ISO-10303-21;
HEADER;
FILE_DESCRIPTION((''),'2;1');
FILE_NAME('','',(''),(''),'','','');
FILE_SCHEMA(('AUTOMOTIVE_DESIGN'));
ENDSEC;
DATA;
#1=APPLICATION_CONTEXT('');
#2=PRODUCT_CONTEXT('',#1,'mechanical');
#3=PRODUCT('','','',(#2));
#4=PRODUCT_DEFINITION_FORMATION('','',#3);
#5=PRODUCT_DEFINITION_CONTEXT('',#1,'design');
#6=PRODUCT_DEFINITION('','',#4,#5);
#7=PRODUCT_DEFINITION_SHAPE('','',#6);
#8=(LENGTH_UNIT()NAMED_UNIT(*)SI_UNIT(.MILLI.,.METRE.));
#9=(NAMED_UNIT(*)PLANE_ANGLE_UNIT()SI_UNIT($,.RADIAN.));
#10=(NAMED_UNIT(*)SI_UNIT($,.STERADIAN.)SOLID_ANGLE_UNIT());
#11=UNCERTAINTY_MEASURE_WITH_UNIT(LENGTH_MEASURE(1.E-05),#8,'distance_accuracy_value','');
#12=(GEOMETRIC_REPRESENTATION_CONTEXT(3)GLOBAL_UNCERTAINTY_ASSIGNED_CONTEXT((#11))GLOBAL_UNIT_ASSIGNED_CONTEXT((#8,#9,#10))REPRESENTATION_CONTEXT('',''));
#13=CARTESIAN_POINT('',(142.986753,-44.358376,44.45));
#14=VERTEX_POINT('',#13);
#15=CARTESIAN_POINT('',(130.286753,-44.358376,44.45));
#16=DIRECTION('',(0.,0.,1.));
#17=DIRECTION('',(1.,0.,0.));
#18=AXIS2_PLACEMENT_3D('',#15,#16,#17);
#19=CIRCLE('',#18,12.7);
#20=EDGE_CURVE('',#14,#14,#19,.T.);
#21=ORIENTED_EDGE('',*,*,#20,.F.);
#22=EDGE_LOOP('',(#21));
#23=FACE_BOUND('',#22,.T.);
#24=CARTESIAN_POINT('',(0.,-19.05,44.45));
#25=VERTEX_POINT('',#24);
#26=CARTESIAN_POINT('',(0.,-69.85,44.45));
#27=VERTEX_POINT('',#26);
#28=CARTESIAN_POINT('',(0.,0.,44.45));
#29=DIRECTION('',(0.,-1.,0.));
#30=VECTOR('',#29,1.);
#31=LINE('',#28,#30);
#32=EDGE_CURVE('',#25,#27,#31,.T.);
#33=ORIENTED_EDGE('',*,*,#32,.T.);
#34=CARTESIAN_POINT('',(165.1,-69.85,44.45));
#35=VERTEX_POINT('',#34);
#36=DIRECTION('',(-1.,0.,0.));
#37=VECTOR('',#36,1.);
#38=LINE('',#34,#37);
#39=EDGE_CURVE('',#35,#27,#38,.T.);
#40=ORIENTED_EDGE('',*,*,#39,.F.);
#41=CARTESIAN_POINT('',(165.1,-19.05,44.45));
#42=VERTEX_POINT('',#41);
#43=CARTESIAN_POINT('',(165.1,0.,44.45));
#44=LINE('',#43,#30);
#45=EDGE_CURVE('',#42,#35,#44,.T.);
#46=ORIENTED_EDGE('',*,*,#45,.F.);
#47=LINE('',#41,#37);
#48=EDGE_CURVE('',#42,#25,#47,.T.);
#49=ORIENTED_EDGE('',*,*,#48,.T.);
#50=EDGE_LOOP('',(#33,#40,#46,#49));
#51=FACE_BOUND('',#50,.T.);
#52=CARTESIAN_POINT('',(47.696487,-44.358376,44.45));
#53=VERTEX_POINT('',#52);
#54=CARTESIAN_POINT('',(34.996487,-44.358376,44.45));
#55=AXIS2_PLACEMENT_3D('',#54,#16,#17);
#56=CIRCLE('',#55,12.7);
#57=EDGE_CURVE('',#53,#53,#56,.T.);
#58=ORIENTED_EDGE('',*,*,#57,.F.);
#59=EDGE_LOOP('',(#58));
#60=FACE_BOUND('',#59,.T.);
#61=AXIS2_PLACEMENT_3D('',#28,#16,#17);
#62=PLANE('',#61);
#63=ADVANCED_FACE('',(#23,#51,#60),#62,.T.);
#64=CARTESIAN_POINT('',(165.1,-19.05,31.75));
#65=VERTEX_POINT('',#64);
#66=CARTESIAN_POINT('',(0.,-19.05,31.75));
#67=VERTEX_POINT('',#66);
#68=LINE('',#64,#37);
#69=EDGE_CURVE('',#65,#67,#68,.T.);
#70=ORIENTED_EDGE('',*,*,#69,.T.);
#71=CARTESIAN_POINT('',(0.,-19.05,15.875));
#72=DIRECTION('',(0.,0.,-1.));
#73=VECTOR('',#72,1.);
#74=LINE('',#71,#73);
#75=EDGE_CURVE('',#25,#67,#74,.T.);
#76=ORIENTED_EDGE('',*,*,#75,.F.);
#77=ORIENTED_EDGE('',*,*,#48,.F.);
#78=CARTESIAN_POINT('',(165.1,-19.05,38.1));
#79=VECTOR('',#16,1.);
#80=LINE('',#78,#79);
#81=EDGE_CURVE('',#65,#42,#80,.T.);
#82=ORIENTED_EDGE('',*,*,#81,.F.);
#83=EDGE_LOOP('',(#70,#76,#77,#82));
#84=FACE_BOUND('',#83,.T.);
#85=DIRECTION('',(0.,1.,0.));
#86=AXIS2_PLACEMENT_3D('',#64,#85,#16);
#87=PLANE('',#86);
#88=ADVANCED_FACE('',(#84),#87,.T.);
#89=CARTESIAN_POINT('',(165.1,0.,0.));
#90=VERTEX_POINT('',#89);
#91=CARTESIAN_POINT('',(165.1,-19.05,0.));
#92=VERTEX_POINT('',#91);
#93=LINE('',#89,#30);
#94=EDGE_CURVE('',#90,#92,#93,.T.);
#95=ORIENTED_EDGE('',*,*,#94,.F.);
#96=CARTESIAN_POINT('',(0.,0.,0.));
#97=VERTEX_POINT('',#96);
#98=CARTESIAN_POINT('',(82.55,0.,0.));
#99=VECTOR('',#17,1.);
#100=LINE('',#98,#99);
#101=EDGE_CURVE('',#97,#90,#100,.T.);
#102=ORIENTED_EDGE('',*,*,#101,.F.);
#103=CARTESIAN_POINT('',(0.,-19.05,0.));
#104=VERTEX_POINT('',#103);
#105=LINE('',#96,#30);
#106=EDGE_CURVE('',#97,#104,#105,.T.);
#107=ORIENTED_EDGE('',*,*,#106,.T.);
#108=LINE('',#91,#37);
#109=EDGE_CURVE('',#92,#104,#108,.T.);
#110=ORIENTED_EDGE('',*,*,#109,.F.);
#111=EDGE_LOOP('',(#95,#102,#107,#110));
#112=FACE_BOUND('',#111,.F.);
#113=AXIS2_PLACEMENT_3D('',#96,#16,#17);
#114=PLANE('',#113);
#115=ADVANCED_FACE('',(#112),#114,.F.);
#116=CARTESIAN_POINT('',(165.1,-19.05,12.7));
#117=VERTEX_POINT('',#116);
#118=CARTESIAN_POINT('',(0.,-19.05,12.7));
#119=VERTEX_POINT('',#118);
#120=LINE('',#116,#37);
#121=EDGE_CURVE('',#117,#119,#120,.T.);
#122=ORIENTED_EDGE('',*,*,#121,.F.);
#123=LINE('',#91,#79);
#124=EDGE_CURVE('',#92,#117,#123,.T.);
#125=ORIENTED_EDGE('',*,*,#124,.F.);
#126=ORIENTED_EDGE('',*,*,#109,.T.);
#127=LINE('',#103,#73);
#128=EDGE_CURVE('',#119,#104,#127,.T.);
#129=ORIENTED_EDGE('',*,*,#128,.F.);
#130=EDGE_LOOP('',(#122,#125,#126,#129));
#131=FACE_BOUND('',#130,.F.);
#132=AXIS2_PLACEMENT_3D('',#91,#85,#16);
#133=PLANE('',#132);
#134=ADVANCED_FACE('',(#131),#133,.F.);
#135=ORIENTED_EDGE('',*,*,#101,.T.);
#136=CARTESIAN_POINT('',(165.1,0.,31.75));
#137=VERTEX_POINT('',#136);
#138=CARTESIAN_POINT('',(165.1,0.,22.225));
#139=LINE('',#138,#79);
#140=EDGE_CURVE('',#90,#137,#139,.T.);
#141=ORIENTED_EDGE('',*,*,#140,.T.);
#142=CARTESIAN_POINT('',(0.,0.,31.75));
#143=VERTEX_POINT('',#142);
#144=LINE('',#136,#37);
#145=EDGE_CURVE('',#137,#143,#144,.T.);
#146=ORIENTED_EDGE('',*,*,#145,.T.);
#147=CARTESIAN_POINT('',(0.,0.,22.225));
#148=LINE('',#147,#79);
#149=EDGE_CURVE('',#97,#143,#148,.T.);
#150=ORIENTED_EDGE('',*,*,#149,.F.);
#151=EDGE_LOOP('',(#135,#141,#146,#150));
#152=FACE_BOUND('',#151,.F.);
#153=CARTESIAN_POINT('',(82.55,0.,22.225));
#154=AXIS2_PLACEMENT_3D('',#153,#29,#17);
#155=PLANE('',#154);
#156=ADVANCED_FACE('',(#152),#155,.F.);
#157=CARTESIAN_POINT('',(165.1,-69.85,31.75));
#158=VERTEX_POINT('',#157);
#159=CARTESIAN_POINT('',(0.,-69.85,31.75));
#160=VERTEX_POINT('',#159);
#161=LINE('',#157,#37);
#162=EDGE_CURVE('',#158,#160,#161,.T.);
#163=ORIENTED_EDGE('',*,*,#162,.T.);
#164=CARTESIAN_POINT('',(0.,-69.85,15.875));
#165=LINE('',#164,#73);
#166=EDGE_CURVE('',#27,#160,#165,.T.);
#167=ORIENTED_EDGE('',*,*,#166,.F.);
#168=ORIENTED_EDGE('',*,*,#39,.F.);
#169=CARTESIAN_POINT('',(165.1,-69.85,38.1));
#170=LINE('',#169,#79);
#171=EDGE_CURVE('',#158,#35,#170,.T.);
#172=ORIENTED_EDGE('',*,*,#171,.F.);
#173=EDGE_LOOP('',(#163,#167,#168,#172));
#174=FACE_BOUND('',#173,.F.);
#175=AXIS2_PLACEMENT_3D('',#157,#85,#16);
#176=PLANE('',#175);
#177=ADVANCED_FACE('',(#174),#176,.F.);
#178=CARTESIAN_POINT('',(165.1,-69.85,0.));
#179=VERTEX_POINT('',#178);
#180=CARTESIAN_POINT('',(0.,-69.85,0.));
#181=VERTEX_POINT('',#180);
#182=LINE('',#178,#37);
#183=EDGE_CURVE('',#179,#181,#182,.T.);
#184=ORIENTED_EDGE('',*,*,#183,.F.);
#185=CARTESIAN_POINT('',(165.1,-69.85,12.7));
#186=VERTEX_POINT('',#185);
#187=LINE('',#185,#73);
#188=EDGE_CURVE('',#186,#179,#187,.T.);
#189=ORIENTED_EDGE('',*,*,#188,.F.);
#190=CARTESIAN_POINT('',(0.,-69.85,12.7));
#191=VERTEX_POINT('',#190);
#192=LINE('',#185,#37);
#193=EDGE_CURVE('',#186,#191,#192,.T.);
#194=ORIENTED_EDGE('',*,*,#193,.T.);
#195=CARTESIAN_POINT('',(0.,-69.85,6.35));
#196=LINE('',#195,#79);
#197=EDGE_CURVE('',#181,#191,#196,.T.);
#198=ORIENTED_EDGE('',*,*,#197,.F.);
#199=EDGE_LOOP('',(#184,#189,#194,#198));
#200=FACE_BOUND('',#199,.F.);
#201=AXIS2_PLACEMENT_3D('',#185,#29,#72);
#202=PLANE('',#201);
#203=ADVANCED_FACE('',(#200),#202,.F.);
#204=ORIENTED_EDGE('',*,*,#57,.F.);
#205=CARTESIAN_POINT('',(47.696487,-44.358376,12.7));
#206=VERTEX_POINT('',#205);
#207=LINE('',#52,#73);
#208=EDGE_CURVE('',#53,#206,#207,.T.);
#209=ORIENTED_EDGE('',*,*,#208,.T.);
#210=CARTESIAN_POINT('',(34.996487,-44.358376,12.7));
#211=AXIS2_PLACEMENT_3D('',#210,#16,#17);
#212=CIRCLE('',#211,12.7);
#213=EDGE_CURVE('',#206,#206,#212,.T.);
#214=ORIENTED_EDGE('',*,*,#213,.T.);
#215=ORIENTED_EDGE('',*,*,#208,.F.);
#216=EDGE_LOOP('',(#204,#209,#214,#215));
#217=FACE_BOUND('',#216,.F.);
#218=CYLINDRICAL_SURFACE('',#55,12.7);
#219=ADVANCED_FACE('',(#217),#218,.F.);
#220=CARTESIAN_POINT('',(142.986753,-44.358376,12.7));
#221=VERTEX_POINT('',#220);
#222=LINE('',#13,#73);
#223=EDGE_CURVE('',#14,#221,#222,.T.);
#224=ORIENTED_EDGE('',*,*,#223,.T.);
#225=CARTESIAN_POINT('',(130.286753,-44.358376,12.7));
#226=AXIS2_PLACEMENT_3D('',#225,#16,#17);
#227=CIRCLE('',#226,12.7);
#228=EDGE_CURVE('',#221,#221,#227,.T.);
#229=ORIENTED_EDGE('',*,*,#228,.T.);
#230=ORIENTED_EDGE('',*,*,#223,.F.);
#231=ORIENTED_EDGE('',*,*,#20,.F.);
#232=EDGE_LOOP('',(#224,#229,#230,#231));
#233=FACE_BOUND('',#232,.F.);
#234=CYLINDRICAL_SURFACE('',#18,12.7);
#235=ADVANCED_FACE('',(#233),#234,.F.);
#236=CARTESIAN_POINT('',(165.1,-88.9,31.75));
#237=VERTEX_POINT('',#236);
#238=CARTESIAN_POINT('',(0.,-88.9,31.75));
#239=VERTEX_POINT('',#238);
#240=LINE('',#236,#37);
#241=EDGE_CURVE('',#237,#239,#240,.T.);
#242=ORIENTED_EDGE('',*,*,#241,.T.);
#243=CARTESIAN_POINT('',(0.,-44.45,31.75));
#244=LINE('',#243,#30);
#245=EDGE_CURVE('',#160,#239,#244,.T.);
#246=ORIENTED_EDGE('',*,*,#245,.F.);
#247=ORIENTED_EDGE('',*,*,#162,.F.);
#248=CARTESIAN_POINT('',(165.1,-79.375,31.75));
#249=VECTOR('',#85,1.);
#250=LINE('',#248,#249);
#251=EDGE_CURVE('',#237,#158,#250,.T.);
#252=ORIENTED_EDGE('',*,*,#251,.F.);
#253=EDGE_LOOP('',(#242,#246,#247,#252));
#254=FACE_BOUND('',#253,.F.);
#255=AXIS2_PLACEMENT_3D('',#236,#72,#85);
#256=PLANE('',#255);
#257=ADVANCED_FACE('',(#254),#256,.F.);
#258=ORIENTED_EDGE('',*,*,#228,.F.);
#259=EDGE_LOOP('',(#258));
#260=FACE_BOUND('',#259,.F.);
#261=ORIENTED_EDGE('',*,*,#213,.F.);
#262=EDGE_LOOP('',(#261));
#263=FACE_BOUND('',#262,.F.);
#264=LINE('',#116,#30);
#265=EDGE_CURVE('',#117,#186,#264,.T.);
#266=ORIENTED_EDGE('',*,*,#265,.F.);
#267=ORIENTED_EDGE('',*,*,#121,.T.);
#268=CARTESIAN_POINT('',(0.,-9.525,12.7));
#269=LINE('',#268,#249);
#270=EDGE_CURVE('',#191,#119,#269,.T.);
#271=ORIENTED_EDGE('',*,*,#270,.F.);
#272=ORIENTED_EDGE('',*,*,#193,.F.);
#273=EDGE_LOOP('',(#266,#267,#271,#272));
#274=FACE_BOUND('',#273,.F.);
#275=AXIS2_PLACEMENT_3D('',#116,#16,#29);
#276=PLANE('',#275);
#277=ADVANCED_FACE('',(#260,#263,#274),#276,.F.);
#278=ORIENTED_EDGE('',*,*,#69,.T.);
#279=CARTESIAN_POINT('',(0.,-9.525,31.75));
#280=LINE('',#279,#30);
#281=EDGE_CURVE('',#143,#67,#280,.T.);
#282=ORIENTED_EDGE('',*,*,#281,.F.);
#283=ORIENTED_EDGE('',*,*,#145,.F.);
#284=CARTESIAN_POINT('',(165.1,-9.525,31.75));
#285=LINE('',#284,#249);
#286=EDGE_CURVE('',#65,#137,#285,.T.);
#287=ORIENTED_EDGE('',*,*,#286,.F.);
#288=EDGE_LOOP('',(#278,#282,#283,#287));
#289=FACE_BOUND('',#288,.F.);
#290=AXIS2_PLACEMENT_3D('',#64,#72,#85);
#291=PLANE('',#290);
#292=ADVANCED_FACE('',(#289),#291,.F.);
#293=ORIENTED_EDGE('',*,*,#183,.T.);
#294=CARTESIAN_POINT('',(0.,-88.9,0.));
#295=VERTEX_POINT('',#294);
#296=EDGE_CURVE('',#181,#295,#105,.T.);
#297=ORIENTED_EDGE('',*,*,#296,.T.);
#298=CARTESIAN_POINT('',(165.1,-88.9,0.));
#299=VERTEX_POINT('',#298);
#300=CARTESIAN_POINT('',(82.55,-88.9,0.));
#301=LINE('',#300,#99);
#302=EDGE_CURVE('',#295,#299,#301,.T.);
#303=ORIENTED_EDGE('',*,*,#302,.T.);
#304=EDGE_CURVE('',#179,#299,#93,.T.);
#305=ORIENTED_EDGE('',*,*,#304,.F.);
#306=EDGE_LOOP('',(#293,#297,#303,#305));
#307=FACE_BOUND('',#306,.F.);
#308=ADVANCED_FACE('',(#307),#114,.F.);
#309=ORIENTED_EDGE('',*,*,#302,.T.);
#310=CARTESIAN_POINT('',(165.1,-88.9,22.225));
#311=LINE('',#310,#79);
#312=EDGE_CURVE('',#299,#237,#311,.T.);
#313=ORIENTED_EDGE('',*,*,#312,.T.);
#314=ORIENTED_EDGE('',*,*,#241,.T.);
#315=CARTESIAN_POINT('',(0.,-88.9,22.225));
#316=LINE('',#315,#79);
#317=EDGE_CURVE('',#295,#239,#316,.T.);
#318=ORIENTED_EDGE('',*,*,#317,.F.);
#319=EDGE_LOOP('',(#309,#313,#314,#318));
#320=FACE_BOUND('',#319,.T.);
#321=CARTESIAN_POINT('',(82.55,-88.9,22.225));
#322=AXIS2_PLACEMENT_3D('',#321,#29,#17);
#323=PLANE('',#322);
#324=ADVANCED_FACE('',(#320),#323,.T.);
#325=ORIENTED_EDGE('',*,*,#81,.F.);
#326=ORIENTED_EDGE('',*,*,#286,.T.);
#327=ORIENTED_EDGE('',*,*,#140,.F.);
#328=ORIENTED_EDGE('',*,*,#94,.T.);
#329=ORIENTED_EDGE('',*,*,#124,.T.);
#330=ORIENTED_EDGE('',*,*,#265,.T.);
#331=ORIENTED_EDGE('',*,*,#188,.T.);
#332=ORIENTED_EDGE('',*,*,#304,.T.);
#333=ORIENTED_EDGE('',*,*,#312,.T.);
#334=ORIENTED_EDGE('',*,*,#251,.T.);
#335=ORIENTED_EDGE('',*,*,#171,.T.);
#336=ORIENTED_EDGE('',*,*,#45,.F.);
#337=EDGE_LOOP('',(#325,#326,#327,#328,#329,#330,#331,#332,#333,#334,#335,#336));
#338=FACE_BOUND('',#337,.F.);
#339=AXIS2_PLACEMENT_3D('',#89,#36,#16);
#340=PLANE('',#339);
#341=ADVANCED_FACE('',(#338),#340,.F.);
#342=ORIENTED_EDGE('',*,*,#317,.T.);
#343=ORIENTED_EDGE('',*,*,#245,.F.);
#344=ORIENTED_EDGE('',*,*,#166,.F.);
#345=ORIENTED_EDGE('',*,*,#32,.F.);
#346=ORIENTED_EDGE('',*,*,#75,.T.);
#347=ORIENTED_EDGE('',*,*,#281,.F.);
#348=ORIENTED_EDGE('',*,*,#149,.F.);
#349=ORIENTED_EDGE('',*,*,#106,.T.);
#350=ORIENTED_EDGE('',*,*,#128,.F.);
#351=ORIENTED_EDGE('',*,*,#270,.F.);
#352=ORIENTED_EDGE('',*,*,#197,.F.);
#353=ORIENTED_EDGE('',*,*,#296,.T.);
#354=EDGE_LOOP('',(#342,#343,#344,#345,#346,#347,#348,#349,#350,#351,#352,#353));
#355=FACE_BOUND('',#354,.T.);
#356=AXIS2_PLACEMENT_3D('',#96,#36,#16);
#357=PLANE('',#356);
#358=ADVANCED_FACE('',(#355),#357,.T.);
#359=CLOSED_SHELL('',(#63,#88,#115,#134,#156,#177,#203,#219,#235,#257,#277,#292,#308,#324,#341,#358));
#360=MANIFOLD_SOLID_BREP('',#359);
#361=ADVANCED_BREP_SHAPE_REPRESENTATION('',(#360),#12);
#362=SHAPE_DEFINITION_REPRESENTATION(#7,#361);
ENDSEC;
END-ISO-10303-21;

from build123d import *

# Parameters (mm, degrees)
F0_W      = 165.1
F0_H      = 44.45
F1_DEPTH  = 88.9
F2_W      = 19.05
F2_H      = 12.7
F3_DEPTH  = 165.101
F4_W      = 19.05
F4_H      = 12.7
F5_DEPTH  = 165.101
F7_DEPTH  = 165.101
F9_R      = 12.7
F10_DEPTH = 44.451


with BuildPart() as f1:
    # F0 (on Front) → F1 (new body)
    with BuildSketch(Plane.XZ):
        with Locations((82.55, 22.225)):
            Rectangle(F0_W, F0_H)
    extrude(amount=F1_DEPTH)

    # F2 (on face) → F3 (cut, through all)
    with BuildSketch(Plane.YZ.offset(165.1)):
        with Locations((-79.375, 38.1)):
            Rectangle(F2_W, F2_H)
    extrude(amount=-F3_DEPTH, mode=Mode.SUBTRACT)

    # F4 (on face) → F5 (cut, through all)
    with BuildSketch(Plane.YZ.offset(165.1)):
        with Locations((-9.525, 38.1)):
            Rectangle(F4_W, F4_H)
    extrude(amount=-F5_DEPTH, mode=Mode.SUBTRACT)

    # F6 (on face) → F7 (cut, through all)
    with BuildSketch(Plane.YZ.offset(165.1)):
        Polygon((-69.85, 0), (-44.45, 0), (-19.05, 0), (-19.05, 12.7), (-69.85, 12.7), align=None)
    extrude(amount=-F7_DEPTH, mode=Mode.SUBTRACT)

    # F9 (on face) → F10 (cut, through all)
    with BuildSketch(Plane.XY.offset(44.45)):
        with Locations((34.996487, -44.358376)):
            Circle(F9_R)
        with Locations((130.286753, -44.358376)):
            Circle(F9_R)
    extrude(amount=-F10_DEPTH, mode=Mode.SUBTRACT)


solid = f1.part
